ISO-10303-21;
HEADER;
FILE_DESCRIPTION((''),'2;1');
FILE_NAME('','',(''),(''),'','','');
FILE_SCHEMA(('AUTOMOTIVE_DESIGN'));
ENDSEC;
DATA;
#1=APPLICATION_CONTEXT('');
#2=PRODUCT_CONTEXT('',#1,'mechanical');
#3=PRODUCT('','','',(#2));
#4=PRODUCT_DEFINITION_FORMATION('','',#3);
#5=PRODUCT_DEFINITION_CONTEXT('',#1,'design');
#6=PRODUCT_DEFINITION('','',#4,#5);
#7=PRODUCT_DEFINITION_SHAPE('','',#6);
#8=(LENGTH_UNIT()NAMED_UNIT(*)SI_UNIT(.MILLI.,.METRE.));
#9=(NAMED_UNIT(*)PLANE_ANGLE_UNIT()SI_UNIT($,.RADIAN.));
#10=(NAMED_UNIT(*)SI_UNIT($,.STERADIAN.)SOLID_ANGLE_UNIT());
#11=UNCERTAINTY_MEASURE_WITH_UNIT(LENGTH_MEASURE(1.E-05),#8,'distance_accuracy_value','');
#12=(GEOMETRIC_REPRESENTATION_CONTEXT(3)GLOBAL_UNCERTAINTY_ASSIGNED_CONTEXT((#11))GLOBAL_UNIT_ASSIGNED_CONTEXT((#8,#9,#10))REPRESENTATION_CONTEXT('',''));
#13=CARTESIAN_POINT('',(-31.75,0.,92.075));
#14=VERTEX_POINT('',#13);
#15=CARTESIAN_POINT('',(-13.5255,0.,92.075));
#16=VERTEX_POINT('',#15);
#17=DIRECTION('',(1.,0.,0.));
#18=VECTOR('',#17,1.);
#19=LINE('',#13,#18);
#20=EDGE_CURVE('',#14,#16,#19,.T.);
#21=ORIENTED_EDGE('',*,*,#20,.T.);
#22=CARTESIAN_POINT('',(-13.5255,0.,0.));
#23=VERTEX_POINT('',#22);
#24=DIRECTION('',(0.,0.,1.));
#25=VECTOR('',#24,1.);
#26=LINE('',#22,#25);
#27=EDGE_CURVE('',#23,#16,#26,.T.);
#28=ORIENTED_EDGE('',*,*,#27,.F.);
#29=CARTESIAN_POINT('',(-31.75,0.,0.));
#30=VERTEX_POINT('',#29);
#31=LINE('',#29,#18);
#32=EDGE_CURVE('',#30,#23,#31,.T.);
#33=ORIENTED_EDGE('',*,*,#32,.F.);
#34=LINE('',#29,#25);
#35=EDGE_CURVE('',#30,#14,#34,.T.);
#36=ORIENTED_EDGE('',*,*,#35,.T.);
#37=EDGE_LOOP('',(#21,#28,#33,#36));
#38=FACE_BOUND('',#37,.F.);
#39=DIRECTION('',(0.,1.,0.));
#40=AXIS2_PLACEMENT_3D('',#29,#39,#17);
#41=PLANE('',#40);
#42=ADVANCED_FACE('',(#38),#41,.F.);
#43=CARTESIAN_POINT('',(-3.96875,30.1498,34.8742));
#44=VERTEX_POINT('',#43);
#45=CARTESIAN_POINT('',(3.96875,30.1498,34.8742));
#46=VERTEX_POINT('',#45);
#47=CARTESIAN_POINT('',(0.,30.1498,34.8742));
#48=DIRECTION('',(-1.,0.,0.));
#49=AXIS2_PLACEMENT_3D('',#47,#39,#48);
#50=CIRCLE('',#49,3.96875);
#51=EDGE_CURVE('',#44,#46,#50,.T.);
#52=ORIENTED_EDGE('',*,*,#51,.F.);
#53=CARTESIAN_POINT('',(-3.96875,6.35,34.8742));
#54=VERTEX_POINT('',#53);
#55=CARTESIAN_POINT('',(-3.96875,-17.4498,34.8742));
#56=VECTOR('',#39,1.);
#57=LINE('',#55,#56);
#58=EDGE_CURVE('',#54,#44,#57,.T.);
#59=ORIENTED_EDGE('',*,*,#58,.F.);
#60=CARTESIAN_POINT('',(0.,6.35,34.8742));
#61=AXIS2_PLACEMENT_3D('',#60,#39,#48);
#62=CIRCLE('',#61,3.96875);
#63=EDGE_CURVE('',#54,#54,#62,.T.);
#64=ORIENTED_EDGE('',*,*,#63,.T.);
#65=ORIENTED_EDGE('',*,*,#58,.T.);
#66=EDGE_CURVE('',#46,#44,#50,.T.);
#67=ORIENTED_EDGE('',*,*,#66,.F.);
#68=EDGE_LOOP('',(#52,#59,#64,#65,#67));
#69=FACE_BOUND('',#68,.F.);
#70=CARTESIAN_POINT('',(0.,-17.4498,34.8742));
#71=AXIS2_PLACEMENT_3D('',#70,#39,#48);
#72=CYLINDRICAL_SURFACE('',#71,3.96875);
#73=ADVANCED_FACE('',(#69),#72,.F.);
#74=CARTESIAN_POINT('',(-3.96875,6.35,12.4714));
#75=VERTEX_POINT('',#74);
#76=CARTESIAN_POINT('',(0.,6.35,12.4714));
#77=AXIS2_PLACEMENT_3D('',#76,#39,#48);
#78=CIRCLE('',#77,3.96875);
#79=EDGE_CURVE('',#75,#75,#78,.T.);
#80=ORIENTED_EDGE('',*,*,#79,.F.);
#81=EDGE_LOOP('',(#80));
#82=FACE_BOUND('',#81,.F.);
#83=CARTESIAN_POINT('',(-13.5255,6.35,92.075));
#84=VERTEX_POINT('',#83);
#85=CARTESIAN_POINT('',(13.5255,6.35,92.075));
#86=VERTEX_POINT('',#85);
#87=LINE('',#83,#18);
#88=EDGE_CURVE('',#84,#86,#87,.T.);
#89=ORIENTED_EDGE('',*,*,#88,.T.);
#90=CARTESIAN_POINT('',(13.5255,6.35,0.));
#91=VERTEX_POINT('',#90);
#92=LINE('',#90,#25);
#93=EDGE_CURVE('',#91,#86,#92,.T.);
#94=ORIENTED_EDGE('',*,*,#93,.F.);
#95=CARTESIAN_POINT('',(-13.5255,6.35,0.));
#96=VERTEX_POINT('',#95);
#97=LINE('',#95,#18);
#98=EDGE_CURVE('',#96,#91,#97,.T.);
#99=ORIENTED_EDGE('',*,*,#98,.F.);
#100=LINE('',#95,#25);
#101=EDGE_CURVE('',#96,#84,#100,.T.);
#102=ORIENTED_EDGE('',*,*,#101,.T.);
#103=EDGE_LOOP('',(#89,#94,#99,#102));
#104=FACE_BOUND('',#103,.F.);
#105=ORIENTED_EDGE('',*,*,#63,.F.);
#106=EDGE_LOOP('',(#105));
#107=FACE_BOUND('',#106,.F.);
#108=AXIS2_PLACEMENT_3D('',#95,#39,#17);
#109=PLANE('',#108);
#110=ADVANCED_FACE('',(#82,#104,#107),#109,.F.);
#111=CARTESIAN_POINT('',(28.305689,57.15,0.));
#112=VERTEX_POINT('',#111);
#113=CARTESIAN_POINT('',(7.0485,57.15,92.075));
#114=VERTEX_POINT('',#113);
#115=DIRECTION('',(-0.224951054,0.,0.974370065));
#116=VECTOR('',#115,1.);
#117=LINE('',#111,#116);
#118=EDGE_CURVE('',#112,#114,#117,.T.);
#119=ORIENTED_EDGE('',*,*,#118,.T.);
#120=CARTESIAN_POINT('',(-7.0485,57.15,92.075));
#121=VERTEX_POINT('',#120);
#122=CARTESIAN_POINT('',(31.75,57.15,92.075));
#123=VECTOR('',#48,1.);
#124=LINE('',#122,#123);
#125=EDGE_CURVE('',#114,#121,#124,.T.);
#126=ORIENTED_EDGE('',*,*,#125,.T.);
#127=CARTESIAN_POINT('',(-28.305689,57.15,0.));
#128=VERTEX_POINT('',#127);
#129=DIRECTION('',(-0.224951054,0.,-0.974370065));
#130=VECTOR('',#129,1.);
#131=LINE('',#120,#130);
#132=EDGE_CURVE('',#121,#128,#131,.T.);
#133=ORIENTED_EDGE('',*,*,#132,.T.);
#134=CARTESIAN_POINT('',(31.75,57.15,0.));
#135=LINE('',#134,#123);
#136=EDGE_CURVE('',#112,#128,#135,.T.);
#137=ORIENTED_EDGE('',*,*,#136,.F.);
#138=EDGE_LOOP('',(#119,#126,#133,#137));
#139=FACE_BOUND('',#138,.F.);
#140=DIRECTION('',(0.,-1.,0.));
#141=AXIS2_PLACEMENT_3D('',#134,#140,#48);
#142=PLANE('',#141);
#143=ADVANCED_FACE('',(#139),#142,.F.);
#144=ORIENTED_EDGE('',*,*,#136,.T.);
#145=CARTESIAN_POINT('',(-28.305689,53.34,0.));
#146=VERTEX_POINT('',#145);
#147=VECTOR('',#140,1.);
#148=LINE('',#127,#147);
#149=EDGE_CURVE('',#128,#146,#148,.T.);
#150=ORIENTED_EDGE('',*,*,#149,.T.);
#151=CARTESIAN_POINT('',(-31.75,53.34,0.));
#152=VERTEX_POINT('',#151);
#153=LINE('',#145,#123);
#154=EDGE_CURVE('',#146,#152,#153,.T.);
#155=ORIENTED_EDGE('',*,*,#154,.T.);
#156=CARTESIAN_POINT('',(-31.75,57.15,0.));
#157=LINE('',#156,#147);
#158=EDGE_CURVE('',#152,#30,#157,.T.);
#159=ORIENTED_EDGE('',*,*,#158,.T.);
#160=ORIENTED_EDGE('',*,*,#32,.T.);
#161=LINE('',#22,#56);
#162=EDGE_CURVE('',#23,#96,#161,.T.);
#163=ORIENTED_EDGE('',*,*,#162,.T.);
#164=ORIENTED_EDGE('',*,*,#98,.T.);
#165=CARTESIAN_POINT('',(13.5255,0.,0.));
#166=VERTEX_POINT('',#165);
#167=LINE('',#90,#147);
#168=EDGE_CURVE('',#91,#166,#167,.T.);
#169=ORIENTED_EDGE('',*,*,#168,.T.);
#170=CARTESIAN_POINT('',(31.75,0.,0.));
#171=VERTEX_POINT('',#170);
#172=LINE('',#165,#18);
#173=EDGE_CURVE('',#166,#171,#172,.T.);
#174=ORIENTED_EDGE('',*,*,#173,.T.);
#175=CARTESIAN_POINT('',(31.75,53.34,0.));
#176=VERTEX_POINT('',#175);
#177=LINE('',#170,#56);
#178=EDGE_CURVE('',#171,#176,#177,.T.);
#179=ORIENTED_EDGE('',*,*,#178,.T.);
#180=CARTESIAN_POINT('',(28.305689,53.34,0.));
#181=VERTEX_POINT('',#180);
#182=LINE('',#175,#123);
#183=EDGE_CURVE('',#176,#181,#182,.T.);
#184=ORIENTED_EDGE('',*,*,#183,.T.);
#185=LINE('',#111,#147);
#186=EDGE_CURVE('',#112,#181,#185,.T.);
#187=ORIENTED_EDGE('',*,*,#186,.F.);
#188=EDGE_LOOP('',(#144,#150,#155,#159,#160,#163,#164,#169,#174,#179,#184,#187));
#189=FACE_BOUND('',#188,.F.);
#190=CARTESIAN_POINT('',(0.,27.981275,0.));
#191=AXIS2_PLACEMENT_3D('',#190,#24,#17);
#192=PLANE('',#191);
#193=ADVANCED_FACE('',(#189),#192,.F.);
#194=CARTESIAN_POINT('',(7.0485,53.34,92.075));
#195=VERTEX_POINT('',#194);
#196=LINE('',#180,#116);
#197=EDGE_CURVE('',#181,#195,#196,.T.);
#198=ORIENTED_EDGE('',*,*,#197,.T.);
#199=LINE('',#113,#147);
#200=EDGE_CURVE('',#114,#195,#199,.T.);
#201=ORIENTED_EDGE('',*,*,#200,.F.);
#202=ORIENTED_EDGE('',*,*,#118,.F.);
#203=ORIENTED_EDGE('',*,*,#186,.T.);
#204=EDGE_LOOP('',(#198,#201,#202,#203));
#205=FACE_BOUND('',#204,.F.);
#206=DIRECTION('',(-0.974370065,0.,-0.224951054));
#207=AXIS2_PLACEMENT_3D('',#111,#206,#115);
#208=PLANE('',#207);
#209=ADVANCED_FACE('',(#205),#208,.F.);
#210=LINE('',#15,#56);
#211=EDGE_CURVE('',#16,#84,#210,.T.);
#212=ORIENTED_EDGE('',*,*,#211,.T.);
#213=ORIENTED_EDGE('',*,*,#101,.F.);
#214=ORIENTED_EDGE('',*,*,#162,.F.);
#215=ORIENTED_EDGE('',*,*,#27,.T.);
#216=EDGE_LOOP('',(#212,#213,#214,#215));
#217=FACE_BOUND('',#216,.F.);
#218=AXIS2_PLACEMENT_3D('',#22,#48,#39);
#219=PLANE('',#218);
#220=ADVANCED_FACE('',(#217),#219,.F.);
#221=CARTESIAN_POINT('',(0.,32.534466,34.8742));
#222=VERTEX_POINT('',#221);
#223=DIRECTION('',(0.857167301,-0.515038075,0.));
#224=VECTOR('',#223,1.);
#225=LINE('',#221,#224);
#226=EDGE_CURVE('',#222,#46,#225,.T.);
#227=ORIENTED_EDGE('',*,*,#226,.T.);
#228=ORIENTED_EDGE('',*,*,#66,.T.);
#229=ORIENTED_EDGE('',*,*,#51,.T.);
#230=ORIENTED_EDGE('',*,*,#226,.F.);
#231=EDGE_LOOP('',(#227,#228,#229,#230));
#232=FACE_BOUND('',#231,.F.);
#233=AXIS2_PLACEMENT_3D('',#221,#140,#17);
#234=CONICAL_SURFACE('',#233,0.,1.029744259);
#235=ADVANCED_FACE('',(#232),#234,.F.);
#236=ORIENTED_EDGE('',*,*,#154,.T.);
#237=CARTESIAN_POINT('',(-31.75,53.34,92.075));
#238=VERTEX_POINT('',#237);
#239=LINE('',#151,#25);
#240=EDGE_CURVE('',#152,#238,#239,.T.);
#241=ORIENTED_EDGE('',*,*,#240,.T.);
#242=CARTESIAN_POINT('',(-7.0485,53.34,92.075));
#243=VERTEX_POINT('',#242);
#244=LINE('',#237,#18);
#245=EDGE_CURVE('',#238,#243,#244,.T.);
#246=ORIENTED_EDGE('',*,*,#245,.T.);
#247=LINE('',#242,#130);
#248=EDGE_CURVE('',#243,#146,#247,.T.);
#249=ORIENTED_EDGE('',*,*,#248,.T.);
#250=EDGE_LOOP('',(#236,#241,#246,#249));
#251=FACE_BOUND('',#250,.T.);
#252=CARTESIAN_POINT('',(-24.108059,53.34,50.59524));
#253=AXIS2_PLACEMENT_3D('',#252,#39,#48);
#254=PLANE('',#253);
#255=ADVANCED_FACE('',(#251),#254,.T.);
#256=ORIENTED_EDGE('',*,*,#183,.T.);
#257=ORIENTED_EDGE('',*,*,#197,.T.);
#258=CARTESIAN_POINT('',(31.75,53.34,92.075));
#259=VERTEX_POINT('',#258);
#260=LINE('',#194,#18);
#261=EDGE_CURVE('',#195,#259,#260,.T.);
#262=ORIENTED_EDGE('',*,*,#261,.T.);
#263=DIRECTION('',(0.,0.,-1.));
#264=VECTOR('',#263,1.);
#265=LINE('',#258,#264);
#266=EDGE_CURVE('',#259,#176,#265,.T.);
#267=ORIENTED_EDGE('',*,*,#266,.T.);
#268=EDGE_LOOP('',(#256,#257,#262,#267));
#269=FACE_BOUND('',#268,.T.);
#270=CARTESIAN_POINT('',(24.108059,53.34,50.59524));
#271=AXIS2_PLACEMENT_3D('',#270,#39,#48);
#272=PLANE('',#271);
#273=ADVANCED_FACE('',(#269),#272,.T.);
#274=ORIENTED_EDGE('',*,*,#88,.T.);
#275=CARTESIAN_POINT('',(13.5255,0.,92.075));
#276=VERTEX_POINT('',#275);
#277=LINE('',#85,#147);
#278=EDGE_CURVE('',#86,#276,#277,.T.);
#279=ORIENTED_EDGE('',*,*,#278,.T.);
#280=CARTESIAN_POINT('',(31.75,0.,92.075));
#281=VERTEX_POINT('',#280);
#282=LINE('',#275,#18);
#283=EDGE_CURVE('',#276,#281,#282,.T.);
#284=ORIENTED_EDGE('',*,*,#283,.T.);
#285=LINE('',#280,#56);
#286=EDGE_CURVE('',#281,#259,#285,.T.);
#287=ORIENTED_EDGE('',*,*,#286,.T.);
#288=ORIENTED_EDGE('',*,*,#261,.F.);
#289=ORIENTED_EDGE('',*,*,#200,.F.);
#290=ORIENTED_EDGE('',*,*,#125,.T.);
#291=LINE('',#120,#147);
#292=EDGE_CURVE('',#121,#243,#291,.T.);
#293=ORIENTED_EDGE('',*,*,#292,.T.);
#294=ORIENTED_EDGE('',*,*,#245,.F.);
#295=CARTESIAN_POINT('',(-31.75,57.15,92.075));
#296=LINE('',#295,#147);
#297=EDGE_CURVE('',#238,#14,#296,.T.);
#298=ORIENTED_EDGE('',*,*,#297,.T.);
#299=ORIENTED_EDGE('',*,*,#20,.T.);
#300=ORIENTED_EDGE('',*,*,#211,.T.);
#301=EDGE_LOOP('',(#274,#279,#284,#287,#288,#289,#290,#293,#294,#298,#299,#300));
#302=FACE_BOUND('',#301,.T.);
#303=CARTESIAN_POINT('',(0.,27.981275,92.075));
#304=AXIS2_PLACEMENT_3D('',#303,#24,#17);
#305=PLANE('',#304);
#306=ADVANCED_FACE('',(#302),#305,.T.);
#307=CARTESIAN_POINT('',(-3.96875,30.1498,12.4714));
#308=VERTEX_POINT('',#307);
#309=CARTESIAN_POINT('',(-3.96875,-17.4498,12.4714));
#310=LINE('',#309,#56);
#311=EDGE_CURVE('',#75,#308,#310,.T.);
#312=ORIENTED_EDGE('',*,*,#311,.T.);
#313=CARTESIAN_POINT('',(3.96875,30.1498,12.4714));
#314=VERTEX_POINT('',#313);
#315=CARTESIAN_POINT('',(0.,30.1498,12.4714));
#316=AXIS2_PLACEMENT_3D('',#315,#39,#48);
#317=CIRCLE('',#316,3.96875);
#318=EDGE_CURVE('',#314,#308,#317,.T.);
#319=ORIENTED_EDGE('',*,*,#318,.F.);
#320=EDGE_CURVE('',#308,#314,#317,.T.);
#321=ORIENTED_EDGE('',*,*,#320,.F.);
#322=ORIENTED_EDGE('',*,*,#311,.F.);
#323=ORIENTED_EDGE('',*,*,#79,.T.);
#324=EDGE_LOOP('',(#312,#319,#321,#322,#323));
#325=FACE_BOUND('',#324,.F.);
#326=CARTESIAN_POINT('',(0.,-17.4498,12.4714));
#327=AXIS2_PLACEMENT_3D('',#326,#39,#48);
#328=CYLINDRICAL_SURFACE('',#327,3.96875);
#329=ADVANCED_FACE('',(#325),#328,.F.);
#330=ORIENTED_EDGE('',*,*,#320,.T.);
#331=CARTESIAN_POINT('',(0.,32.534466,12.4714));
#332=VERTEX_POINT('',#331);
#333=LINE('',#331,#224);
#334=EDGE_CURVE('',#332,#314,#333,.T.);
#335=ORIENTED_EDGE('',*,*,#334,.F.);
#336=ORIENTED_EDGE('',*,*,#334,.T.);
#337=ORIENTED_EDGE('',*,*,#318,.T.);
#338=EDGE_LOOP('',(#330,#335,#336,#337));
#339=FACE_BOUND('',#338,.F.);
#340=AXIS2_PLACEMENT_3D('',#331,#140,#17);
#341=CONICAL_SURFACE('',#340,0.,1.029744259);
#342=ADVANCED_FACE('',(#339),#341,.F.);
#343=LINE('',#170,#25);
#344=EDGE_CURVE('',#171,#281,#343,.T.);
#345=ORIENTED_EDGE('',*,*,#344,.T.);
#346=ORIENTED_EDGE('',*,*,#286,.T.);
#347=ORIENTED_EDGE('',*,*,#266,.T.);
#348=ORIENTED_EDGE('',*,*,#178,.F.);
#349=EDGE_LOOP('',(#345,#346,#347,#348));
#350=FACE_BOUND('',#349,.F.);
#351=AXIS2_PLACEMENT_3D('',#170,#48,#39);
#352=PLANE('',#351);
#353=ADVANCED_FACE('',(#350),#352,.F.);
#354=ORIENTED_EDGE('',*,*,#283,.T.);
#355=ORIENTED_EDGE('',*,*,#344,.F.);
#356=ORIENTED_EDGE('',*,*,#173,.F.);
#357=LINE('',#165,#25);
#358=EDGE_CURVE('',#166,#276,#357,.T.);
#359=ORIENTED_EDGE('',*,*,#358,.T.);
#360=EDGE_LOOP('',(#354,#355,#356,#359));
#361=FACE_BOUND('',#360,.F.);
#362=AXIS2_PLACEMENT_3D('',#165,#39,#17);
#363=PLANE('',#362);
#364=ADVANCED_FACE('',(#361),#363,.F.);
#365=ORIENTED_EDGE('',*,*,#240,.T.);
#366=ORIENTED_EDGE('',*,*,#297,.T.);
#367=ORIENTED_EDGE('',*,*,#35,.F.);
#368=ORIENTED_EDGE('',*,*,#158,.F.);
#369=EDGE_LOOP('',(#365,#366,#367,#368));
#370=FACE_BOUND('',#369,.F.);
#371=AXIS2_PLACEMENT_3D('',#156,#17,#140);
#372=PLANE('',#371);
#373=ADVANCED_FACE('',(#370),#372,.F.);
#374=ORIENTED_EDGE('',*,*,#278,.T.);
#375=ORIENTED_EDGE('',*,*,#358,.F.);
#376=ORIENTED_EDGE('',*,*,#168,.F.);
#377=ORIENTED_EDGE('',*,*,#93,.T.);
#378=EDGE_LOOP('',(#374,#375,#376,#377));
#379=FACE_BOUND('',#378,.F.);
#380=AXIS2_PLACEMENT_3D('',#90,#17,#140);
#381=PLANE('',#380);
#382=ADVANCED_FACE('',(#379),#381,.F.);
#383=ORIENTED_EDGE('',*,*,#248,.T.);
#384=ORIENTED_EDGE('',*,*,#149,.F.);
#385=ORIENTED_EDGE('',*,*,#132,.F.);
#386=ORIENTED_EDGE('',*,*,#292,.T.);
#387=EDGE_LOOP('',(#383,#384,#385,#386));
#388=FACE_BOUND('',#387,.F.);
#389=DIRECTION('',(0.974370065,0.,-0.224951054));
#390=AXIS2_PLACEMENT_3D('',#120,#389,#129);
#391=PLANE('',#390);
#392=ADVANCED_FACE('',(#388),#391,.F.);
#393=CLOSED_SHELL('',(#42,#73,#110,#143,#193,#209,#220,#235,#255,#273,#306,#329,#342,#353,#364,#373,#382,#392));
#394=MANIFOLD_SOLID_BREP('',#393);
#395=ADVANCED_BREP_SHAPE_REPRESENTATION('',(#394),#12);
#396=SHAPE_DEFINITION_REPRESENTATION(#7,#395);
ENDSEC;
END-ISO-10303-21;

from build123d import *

# Parameters (mm, degrees)
F1_DEPTH = 92.075
F3_D     = 7.9375
F3_DEPTH = 23.7998
F3_TIP   = 2.3846655818
F5_DEPTH = 3.81


with BuildPart() as f1:
    # F0 (on Top) → F1 (new body)
    with BuildSketch(Plane.XY):
        Polygon((-31.75, 57.15), (-31.75, 0), (-13.5255, 0), (-13.5255, 6.35), (13.5255, 6.35), (13.5255, 0), (31.75, 0), (31.75, 57.15), align=None)
    extrude(amount=F1_DEPTH)

    # F3
    with Locations(Plane.XZ.offset(-6.35)):
        with Locations((0, 34.8742), (0, 12.4714)):
            Hole(F3_D / 2, depth=F3_DEPTH)
            with Locations((0, 0, -(F3_DEPTH + F3_TIP / 2))):  # 118° drill point
                Cone(0, F3_D / 2, F3_TIP, mode=Mode.SUBTRACT)

    # F4 (on face) → F5 (cut)
    with BuildSketch(Plane(origin=(0, 57.15, 0), x_dir=(-1, 0, 0), z_dir=(0, 1, 0))):
        Polygon((-31.75, 0), (-28.3056886979, 0), (-7.0485, 92.075), (-31.75, 92.075), align=None)
        Polygon((7.0485, 92.075), (28.3056886979, 0), (31.75, 0), (31.75, 92.075), align=None)
    extrude(amount=-F5_DEPTH, mode=Mode.SUBTRACT)


solid = f1.part
